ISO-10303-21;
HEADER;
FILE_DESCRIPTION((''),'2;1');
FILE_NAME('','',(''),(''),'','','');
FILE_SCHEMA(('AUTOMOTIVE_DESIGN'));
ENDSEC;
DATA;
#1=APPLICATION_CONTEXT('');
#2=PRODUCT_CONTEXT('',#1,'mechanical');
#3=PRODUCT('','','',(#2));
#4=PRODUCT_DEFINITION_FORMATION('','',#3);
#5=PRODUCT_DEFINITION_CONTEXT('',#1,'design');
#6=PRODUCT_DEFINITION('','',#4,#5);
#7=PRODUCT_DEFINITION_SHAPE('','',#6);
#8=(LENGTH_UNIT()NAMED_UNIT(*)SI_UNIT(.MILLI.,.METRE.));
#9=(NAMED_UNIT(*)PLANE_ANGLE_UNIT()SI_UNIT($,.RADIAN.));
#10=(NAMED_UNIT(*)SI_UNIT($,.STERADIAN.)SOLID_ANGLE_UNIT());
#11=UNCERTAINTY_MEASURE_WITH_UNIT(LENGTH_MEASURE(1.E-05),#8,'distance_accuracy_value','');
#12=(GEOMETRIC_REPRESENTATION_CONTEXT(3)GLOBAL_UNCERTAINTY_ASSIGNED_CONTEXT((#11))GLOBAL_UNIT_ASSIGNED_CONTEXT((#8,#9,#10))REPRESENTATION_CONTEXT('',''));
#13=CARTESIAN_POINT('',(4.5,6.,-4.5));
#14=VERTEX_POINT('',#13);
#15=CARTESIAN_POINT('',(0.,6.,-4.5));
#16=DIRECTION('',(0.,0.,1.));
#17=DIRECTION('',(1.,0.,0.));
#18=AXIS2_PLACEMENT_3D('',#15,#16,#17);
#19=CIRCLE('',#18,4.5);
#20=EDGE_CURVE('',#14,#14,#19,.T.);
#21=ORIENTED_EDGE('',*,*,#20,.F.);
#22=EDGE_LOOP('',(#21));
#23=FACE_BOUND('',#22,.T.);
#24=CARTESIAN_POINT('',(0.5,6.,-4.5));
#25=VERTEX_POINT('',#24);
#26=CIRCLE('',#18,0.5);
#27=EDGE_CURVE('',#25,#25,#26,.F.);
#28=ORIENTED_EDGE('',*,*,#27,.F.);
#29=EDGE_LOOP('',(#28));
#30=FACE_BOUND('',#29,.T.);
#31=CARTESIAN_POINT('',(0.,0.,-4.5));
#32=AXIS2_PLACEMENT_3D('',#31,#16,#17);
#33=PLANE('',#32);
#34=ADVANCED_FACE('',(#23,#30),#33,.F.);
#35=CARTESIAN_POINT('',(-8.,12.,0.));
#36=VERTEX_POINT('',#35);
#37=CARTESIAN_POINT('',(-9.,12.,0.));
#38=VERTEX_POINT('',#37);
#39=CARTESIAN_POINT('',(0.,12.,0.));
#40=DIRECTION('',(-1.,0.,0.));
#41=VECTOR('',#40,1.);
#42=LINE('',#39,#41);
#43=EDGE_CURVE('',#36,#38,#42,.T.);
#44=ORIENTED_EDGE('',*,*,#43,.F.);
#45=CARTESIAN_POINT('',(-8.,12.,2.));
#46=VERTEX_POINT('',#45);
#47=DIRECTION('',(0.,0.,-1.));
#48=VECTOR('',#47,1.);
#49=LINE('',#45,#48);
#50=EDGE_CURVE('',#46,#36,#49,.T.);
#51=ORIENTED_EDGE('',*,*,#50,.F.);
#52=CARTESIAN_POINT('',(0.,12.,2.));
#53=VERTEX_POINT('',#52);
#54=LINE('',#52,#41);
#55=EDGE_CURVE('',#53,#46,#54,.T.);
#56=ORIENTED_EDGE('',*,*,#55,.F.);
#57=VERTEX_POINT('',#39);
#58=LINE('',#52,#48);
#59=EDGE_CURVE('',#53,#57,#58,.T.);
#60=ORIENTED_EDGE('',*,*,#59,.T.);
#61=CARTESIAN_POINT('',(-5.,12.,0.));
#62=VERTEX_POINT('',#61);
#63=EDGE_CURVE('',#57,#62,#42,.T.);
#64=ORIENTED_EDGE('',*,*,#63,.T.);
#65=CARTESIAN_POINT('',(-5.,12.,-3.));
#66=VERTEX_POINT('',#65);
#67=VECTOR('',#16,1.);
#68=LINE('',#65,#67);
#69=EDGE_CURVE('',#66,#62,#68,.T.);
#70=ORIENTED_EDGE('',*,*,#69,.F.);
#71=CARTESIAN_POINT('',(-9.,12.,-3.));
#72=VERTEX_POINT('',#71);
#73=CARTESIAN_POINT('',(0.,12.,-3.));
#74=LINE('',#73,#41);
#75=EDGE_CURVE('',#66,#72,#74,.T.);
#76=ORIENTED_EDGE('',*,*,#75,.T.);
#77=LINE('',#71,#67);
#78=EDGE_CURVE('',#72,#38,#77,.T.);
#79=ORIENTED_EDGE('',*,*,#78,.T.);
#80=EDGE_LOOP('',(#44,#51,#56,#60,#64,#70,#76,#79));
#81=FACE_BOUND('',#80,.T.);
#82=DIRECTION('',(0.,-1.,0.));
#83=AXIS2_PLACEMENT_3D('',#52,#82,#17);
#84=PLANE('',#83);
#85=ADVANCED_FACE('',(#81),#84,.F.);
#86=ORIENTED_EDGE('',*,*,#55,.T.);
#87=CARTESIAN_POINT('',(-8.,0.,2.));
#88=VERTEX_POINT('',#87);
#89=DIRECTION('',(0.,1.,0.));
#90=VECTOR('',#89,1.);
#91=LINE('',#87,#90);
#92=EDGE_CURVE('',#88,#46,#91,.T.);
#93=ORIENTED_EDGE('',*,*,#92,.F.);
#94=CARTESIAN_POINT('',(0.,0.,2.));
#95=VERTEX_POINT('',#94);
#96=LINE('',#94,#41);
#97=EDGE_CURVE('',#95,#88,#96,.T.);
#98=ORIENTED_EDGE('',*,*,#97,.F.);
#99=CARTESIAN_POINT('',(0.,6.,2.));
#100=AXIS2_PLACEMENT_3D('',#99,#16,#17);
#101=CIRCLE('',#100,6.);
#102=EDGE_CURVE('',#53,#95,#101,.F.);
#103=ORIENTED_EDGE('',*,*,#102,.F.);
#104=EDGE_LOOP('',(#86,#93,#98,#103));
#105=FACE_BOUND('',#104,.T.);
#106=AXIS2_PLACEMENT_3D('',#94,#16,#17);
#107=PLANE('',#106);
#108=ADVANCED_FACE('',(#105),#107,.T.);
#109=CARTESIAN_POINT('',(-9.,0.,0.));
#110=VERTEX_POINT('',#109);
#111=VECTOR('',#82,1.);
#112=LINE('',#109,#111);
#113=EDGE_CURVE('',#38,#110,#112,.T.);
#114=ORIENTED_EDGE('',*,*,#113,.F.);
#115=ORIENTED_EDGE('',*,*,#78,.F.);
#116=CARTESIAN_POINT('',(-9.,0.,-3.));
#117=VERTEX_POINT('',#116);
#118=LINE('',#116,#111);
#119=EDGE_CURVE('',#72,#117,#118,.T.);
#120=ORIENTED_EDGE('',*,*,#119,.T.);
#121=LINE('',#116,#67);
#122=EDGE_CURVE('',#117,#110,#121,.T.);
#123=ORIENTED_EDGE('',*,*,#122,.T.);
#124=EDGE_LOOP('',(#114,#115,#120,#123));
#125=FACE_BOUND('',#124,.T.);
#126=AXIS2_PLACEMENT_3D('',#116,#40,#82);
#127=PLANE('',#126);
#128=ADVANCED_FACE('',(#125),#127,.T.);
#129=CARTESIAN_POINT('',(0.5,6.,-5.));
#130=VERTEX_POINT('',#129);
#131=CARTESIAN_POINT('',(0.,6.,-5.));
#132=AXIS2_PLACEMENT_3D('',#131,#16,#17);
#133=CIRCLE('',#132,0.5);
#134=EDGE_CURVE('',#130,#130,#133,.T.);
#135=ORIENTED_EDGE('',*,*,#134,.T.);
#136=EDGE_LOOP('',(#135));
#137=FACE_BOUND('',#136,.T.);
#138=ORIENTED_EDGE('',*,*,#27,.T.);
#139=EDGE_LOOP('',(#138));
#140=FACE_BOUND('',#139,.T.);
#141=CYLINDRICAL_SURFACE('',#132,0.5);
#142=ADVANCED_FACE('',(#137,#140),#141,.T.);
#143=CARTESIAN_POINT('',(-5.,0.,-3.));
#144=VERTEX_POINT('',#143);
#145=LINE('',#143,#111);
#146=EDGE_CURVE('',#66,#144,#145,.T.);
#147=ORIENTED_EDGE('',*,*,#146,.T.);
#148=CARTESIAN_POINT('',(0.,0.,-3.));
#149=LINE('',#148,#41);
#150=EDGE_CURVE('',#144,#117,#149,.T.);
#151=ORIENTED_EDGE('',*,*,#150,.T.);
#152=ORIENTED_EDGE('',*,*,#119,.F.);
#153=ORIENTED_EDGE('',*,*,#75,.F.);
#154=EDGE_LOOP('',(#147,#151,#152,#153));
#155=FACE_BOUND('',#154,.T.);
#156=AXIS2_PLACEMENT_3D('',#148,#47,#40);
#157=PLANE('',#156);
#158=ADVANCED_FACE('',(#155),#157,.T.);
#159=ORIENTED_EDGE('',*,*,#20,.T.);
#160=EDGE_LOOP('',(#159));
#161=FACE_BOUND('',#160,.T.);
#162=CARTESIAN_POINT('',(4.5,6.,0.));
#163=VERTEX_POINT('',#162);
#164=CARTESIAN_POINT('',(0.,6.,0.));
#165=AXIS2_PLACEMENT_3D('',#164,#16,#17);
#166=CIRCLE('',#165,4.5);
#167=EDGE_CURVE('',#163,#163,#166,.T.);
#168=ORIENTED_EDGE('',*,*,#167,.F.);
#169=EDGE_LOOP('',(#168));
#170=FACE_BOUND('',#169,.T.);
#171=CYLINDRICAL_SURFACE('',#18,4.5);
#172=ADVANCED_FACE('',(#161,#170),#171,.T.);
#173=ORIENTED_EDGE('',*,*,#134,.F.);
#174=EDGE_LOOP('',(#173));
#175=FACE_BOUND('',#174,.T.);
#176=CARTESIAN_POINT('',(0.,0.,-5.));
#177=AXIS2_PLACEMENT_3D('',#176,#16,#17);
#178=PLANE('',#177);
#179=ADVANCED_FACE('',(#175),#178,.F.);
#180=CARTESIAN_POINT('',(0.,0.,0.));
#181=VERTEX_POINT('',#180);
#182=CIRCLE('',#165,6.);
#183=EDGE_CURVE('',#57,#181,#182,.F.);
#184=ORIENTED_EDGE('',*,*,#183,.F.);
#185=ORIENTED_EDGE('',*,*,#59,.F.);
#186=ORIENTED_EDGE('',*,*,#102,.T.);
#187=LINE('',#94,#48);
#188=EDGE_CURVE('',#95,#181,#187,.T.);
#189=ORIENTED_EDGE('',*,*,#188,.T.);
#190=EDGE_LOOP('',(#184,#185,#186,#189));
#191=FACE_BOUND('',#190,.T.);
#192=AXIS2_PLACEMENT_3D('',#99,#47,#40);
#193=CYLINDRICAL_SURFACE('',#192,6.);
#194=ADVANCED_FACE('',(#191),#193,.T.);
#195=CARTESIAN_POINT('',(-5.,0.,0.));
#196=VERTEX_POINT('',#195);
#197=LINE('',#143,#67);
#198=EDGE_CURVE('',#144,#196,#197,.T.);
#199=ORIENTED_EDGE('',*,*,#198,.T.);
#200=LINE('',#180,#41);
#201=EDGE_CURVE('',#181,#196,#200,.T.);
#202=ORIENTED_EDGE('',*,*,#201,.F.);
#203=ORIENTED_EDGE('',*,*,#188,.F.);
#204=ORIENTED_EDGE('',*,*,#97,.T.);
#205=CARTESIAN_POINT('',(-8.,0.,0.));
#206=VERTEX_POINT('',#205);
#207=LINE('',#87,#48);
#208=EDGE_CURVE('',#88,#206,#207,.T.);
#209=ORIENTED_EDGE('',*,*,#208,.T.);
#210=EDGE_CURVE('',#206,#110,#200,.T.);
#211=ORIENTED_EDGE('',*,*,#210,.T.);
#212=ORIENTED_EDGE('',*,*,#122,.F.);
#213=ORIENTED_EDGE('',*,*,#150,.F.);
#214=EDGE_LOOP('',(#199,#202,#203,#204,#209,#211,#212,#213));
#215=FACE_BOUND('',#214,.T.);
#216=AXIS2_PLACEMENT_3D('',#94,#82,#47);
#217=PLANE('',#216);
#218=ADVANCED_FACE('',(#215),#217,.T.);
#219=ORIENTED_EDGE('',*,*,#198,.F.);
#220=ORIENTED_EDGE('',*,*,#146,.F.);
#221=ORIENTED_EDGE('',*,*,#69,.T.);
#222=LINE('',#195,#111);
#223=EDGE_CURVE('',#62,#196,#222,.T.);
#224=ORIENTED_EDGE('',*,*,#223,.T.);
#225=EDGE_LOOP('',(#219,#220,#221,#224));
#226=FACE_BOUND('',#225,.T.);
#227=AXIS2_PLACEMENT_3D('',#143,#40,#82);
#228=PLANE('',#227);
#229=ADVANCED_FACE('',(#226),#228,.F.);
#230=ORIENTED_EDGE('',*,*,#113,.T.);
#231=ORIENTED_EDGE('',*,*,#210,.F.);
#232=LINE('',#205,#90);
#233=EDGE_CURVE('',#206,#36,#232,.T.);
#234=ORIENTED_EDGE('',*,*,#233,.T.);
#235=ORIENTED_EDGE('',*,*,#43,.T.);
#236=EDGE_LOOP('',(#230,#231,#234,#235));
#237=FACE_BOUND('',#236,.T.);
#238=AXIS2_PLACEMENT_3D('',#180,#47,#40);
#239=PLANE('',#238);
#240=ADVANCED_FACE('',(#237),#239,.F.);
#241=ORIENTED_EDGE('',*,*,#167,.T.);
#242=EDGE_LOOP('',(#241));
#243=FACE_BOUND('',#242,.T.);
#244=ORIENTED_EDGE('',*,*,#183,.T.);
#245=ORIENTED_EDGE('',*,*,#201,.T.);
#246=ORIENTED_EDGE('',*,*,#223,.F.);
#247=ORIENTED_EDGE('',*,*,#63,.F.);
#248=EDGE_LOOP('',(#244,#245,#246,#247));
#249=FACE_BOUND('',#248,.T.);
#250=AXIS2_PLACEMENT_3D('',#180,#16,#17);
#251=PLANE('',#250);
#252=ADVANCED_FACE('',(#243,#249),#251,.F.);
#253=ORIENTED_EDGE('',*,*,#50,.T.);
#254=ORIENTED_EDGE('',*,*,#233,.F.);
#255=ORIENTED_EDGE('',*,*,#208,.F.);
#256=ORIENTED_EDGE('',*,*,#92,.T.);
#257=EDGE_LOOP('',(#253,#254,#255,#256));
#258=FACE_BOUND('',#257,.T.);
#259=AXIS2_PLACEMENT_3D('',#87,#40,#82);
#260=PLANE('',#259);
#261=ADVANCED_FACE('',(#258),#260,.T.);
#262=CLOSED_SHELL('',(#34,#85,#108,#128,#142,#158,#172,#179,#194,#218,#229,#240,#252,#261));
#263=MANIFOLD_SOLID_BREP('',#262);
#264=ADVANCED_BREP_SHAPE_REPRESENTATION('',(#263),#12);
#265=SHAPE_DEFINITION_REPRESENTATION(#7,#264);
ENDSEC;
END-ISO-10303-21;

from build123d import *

# Parameters (mm, degrees)
BOSS_EXTRUDE1_DEPTH = 2
SKETCH1_3_R         = 4.5
BOSS_EXTRUDE2_DEPTH = 4.5
SKETCH1_4_R         = 0.5
BOSS_EXTRUDE3_DEPTH = 5
SKETCH3_W           = 4
SKETCH3_H           = 12
BOSS_EXTRUDE4_DEPTH = 3


with BuildPart() as part:
    # Sketch1 → Boss-Extrude1 (new body)
    with BuildSketch(Plane.XY):
        with BuildLine():
            Line((-8, 0), (0, 0))
            ThreePointArc((0, 0), (6, 6), (0, 12))
            Line((0, 12), (-8, 12))
            Line((-8, 12), (-8, 0))
        make_face()
    extrude(amount=BOSS_EXTRUDE1_DEPTH)



with BuildPart() as body_2:
    # Sketch1<3> → Boss-Extrude2 (new body)
    with BuildSketch(Plane.XY):
        with Locations((0, 6)):
            Circle(SKETCH1_3_R)
    extrude(amount=-BOSS_EXTRUDE2_DEPTH)


with BuildPart() as part_1:
    add(part.part)

    add(body_2.part)  # Boss-Extrude3 merges body 2
    # Sketch1<4> → Boss-Extrude3 (add)
    with BuildSketch(Plane.XY):
        with Locations((0, 6)):
            Circle(SKETCH1_4_R)
    extrude(amount=-BOSS_EXTRUDE3_DEPTH)

    # Sketch3 → Boss-Extrude4 (add)
    with BuildSketch(Plane(origin=(0, 0, 0), x_dir=(-1, 0, 0), z_dir=(0, 0, -1))):
        with Locations((7, 6)):
            Rectangle(SKETCH3_W, SKETCH3_H)
    extrude(amount=BOSS_EXTRUDE4_DEPTH)


solid = part_1.part
